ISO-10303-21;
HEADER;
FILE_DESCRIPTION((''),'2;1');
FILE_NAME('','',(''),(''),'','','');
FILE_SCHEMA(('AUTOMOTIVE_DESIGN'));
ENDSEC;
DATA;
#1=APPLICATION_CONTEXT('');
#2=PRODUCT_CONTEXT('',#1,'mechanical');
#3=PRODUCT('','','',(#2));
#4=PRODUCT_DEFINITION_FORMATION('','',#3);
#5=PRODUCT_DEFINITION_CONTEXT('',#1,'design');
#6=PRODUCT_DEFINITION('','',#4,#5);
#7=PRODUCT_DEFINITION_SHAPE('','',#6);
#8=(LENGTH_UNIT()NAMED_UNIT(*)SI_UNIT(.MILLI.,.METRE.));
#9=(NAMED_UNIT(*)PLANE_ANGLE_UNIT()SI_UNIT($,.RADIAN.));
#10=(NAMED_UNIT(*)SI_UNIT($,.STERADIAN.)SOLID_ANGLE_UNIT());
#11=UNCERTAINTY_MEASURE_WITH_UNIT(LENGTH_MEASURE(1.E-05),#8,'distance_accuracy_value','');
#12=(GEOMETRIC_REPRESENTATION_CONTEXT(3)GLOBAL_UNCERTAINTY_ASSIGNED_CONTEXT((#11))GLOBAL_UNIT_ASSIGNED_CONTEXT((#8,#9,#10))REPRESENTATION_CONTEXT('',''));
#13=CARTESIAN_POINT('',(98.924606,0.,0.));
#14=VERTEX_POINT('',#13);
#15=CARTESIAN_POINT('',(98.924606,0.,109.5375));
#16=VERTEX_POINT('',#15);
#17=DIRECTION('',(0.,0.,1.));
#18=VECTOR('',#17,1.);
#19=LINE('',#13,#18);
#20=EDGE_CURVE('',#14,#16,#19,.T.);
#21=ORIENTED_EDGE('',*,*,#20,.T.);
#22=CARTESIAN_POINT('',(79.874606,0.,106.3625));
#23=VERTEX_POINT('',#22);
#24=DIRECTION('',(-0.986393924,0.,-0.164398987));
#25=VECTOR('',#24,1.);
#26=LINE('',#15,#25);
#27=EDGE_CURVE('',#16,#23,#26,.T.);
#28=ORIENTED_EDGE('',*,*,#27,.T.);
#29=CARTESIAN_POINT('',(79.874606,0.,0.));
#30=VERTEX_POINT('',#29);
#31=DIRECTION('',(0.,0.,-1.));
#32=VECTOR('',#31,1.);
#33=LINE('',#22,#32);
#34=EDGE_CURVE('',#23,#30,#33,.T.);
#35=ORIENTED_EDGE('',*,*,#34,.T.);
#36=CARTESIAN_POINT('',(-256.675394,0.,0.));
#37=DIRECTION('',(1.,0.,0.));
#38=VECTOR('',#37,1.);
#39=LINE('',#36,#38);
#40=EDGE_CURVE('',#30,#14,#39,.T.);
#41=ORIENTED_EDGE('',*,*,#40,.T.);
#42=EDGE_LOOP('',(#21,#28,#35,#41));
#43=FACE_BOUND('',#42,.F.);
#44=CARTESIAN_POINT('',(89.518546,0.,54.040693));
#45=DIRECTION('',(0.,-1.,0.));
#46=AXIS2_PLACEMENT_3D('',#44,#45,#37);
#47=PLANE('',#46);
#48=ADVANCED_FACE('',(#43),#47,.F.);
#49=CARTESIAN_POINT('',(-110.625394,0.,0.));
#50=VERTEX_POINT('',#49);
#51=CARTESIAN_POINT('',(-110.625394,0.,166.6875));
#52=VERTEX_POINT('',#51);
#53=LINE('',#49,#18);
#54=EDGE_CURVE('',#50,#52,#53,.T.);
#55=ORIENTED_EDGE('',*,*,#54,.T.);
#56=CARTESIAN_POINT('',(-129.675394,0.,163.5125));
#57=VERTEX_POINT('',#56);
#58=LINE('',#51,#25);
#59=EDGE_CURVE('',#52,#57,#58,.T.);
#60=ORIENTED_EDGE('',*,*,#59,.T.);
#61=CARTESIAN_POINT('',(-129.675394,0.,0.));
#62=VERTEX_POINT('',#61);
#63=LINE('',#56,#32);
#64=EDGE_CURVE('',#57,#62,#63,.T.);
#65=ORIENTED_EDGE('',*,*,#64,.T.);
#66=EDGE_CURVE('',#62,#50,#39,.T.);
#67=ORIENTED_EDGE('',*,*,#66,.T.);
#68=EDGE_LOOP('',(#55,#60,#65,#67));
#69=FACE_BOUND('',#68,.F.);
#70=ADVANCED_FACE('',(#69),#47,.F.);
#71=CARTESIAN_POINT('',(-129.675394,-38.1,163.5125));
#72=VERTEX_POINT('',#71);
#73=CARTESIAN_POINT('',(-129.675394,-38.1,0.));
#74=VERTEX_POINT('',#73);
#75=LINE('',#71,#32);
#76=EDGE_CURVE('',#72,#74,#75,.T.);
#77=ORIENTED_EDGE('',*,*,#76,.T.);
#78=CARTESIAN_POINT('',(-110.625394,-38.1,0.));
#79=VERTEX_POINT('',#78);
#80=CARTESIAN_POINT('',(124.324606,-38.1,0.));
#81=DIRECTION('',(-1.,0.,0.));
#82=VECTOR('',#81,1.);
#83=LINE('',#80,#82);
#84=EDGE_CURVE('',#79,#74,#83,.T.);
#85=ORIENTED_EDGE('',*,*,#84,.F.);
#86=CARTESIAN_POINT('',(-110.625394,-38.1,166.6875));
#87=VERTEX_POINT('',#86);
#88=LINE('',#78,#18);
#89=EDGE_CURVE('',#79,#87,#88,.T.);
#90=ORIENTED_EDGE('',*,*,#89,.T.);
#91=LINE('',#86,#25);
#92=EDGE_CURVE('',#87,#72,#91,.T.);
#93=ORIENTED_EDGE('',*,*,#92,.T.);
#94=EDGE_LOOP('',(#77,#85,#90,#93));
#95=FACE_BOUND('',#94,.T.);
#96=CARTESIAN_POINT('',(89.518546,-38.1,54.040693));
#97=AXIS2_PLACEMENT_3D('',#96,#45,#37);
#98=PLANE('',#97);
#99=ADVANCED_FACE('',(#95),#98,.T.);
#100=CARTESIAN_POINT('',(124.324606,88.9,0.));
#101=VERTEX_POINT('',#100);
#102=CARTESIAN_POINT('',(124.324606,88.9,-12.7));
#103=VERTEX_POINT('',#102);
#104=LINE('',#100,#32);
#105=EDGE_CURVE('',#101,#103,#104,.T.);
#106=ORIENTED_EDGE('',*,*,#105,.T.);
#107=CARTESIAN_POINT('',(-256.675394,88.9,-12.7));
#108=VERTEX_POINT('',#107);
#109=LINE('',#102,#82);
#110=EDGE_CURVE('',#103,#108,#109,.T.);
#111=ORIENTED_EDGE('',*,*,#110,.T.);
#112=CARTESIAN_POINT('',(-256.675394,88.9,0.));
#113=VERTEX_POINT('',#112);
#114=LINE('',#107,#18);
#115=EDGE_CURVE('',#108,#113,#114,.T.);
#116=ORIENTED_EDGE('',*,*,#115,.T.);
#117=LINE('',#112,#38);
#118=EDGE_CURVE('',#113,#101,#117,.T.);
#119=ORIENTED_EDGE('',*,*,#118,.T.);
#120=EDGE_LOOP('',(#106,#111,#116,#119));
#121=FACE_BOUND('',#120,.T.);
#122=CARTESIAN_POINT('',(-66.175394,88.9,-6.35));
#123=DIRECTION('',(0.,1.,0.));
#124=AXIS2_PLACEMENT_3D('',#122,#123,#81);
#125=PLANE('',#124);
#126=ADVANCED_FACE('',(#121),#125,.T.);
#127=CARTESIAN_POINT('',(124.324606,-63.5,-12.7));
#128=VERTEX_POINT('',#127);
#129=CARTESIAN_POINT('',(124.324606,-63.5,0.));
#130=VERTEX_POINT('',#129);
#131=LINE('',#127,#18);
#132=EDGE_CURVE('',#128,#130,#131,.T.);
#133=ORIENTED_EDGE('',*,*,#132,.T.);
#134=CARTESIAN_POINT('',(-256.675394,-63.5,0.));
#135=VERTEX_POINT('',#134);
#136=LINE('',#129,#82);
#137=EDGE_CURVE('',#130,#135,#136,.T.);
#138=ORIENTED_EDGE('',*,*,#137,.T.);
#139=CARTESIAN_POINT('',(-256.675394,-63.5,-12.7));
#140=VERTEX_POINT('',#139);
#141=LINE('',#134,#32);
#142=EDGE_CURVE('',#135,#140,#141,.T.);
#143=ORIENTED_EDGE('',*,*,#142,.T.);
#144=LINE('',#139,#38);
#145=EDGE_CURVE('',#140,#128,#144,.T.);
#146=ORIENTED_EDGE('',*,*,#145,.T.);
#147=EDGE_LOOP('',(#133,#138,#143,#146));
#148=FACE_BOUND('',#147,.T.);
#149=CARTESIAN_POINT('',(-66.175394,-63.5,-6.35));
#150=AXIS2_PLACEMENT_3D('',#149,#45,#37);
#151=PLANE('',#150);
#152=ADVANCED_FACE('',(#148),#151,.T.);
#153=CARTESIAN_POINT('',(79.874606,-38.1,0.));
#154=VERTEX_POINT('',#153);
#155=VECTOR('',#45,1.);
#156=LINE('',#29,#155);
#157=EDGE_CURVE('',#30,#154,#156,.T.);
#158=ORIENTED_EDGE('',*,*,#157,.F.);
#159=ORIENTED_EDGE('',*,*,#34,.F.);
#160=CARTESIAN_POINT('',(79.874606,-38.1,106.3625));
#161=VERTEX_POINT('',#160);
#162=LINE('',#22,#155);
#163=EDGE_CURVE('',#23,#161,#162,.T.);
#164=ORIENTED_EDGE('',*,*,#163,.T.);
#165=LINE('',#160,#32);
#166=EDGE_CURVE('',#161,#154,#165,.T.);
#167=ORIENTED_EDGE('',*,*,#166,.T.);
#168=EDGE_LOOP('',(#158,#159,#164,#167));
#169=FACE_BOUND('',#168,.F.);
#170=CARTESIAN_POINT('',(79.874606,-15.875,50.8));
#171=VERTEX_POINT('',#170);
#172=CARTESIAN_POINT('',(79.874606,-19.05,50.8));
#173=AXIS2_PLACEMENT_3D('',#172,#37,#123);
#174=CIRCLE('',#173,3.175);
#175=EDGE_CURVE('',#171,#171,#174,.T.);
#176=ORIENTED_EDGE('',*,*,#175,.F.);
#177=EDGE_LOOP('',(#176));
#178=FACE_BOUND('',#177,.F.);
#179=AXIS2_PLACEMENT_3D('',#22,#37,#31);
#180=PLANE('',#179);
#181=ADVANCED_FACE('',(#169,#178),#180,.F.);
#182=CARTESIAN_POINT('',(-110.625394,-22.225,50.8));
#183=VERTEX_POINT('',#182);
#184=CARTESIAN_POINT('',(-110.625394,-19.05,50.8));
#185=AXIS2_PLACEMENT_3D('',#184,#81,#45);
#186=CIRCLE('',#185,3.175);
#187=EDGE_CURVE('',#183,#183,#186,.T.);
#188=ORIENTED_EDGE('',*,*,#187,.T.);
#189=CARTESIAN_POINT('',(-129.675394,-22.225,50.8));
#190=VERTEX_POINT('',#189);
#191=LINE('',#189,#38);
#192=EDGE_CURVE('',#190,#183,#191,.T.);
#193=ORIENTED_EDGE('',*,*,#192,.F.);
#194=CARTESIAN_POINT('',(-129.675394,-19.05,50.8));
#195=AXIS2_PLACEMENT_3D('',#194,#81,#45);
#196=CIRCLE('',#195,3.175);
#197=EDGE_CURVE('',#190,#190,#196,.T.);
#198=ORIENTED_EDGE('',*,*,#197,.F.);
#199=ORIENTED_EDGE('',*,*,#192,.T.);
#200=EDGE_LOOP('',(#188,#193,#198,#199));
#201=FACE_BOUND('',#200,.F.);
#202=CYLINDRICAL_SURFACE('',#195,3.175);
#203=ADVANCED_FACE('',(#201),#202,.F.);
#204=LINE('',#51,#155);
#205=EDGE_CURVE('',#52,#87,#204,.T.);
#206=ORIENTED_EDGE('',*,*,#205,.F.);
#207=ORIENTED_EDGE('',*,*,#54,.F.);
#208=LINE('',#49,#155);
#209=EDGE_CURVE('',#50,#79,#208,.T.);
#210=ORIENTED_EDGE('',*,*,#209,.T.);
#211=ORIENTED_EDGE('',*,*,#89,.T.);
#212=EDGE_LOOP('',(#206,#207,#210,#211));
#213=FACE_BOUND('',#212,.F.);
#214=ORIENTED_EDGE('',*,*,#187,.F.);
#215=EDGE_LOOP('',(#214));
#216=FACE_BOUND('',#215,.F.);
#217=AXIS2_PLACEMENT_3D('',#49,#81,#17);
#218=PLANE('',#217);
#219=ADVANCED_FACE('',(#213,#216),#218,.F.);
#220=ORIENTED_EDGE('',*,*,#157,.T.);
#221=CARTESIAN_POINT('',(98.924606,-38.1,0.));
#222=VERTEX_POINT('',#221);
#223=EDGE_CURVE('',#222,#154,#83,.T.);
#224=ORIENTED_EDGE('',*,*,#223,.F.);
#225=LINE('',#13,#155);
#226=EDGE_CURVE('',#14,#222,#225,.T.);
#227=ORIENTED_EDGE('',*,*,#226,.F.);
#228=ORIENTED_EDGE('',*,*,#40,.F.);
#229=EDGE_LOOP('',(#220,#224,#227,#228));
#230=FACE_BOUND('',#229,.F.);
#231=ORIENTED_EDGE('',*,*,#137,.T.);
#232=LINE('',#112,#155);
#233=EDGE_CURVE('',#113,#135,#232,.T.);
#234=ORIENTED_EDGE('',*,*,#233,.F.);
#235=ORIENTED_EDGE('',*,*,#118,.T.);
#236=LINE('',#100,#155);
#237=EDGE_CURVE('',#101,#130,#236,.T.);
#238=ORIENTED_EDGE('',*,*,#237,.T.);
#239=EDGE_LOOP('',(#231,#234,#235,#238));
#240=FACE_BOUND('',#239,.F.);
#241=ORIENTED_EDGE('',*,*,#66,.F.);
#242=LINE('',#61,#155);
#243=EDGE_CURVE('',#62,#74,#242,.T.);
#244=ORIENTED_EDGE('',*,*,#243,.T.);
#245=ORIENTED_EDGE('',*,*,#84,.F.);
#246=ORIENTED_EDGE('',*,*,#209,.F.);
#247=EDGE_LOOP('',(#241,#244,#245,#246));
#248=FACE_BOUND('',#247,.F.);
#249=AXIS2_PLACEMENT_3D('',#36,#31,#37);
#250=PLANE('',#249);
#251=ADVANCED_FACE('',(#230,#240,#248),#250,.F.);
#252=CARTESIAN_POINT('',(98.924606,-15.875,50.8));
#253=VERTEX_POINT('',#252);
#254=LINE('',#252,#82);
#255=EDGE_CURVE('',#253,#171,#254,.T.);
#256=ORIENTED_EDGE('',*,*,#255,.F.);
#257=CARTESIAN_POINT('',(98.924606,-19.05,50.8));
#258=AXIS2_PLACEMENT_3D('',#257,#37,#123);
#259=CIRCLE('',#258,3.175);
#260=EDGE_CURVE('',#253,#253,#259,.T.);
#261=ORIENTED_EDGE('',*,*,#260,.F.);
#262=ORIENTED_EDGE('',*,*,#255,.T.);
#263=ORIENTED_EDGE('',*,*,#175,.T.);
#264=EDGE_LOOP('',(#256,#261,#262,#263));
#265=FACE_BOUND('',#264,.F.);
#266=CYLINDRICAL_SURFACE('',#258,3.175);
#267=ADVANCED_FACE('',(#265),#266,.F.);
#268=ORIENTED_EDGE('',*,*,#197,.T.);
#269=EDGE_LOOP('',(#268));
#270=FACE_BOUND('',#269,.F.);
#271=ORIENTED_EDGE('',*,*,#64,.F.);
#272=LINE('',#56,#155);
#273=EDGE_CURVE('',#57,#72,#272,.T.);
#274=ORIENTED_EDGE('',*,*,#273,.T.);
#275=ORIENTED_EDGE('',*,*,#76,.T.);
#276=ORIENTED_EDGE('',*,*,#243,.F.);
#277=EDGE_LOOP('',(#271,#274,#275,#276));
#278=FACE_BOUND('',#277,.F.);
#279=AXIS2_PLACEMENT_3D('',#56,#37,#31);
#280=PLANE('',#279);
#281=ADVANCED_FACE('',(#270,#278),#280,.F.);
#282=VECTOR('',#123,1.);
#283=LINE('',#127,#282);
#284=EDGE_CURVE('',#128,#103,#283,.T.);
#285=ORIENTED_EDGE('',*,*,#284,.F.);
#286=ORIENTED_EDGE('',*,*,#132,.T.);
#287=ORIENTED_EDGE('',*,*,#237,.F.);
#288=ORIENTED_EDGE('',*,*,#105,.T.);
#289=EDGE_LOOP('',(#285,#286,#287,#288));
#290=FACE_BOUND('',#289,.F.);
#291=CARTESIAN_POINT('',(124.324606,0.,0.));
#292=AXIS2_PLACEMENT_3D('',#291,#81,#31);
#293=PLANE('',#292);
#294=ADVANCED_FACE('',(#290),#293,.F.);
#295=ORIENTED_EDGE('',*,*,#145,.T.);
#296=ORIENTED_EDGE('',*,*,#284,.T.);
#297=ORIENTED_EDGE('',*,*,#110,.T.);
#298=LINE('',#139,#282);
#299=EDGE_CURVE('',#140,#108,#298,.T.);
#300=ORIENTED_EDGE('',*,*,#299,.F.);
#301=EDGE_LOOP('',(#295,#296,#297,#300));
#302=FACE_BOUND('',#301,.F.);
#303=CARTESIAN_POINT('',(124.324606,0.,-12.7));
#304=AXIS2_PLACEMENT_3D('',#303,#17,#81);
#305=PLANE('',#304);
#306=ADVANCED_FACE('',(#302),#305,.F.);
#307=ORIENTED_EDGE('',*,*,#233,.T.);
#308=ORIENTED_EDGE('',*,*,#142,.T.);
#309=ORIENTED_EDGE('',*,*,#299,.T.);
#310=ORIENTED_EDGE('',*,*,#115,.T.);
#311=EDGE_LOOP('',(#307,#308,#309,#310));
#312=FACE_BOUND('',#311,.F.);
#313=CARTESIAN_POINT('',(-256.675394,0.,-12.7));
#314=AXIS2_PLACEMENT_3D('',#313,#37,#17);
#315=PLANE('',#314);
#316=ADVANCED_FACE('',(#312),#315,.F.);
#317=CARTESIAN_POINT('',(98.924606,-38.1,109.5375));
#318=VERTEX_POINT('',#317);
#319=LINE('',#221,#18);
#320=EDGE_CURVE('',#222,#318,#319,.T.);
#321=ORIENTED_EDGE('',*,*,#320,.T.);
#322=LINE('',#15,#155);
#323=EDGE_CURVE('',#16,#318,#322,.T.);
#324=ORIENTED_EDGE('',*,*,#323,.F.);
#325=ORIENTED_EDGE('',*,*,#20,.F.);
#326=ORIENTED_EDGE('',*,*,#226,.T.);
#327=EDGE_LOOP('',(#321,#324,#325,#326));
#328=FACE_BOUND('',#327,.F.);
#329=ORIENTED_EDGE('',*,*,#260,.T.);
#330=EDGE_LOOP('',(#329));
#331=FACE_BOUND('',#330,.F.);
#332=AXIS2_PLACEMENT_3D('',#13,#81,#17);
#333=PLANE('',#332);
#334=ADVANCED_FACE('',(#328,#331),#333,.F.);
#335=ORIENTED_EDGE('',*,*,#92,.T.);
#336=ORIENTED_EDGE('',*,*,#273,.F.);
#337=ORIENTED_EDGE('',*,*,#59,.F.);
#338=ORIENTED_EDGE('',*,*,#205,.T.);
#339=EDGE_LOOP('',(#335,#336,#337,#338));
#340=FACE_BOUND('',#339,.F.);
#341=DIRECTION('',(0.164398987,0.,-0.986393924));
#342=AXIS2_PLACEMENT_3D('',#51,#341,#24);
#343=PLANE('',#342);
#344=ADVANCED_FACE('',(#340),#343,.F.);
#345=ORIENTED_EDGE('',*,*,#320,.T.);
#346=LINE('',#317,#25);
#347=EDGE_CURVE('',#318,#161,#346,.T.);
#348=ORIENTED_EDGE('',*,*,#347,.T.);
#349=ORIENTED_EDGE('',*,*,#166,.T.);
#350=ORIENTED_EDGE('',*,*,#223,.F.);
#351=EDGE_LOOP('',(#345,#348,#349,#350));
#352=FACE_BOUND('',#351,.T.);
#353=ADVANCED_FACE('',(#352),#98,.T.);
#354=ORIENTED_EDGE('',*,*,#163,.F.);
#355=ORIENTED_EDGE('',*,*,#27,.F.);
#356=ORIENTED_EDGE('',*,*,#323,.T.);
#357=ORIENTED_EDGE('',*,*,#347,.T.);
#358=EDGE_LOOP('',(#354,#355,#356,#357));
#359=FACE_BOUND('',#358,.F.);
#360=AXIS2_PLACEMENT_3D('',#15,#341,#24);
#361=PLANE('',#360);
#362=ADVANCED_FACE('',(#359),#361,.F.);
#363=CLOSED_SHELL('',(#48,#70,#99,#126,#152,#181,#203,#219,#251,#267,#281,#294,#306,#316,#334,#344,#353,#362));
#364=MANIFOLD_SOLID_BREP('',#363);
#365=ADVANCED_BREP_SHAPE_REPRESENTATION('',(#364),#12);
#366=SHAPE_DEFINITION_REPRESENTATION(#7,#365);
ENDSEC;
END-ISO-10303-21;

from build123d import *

# Parameters (mm, degrees)
F1_DEPTH   = 38.1
F2_R       = 3.175
F1_FACE1_W = 38.1
F1_FACE1_H = 163.5125
F3_DEPTH   = 19.05
F4_R       = 3.175
F5_DEPTH   = 19.05
F7_DEPTH   = 25.4
F9_DEPTH   = 88.9


with BuildPart() as f1:
    # F0 (on Front) → F1 (new body)
    with BuildSketch(Plane.XZ):
        Polygon((79.8746063113, 106.3625), (79.8746063113, 0), (98.9246063113, 0), (98.9246063113, 109.5375), align=None)
        Polygon((98.9246063113, 0), (79.8746063113, 0), (-110.6253936887, 0), (-129.6753936887, 0), (-256.6753936887, 0), (-256.6753936887, -12.7), (124.3246063113, -12.7), (124.3246063113, 0), align=None)
        Polygon((-129.6753936887, 0), (-110.6253936887, 0), (-110.6253936887, 166.6875), (-129.6753936887, 163.5125), align=None)
    extrude(amount=F1_DEPTH)

    # F2 (on face) + F1_face1 (on face) → F3 (cut)
    with BuildSketch(Plane.YZ.offset(98.9246063113)):
        with Locations((-19.05, 50.8)):
            Circle(F2_R)
    with BuildSketch(Plane(origin=(-129.6753936887, -19.05, 81.75625), x_dir=(0, -1, 0), z_dir=(-1, 0, 0))):
        Rectangle(F1_FACE1_W, F1_FACE1_H)
    extrude(amount=-F3_DEPTH, dir=(1, 0, 0), mode=Mode.SUBTRACT)

    # F4 (on face) → F5 (cut)
    with BuildSketch(Plane(origin=(-129.6753936887, 0, 0), x_dir=(0, -1, 0), z_dir=(-1, 0, 0))):
        with Locations((19.05, 50.8)):
            Circle(F4_R)
    extrude(amount=-F5_DEPTH, mode=Mode.SUBTRACT)

    # F6 (on face) → F7 (join)
    with BuildSketch(Plane.XZ.offset(38.1)):
        Polygon((-129.6753936887, 0), (-256.6753936887, 0), (-256.6753936887, -12.7), (124.3246063113, -12.7), (124.3246063113, 0), (98.9246063113, 0), (79.8746063113, 0), (-110.6253936887, 0), align=None)
    extrude(amount=F7_DEPTH)

    # F8 (on face) → F9 (join)
    with BuildSketch(Plane(origin=(0, 0, 0), x_dir=(-1, 0, 0), z_dir=(0, 1, 0))):
        Polygon((-98.9246063113, 0), (-124.3246063113, 0), (-124.3246063113, -12.7), (256.6753936887, -12.7), (256.6753936887, 0), (129.6753936887, 0), (110.6253936887, 0), (-79.8746063113, 0), align=None)
    extrude(amount=F9_DEPTH)


solid = f1.part
